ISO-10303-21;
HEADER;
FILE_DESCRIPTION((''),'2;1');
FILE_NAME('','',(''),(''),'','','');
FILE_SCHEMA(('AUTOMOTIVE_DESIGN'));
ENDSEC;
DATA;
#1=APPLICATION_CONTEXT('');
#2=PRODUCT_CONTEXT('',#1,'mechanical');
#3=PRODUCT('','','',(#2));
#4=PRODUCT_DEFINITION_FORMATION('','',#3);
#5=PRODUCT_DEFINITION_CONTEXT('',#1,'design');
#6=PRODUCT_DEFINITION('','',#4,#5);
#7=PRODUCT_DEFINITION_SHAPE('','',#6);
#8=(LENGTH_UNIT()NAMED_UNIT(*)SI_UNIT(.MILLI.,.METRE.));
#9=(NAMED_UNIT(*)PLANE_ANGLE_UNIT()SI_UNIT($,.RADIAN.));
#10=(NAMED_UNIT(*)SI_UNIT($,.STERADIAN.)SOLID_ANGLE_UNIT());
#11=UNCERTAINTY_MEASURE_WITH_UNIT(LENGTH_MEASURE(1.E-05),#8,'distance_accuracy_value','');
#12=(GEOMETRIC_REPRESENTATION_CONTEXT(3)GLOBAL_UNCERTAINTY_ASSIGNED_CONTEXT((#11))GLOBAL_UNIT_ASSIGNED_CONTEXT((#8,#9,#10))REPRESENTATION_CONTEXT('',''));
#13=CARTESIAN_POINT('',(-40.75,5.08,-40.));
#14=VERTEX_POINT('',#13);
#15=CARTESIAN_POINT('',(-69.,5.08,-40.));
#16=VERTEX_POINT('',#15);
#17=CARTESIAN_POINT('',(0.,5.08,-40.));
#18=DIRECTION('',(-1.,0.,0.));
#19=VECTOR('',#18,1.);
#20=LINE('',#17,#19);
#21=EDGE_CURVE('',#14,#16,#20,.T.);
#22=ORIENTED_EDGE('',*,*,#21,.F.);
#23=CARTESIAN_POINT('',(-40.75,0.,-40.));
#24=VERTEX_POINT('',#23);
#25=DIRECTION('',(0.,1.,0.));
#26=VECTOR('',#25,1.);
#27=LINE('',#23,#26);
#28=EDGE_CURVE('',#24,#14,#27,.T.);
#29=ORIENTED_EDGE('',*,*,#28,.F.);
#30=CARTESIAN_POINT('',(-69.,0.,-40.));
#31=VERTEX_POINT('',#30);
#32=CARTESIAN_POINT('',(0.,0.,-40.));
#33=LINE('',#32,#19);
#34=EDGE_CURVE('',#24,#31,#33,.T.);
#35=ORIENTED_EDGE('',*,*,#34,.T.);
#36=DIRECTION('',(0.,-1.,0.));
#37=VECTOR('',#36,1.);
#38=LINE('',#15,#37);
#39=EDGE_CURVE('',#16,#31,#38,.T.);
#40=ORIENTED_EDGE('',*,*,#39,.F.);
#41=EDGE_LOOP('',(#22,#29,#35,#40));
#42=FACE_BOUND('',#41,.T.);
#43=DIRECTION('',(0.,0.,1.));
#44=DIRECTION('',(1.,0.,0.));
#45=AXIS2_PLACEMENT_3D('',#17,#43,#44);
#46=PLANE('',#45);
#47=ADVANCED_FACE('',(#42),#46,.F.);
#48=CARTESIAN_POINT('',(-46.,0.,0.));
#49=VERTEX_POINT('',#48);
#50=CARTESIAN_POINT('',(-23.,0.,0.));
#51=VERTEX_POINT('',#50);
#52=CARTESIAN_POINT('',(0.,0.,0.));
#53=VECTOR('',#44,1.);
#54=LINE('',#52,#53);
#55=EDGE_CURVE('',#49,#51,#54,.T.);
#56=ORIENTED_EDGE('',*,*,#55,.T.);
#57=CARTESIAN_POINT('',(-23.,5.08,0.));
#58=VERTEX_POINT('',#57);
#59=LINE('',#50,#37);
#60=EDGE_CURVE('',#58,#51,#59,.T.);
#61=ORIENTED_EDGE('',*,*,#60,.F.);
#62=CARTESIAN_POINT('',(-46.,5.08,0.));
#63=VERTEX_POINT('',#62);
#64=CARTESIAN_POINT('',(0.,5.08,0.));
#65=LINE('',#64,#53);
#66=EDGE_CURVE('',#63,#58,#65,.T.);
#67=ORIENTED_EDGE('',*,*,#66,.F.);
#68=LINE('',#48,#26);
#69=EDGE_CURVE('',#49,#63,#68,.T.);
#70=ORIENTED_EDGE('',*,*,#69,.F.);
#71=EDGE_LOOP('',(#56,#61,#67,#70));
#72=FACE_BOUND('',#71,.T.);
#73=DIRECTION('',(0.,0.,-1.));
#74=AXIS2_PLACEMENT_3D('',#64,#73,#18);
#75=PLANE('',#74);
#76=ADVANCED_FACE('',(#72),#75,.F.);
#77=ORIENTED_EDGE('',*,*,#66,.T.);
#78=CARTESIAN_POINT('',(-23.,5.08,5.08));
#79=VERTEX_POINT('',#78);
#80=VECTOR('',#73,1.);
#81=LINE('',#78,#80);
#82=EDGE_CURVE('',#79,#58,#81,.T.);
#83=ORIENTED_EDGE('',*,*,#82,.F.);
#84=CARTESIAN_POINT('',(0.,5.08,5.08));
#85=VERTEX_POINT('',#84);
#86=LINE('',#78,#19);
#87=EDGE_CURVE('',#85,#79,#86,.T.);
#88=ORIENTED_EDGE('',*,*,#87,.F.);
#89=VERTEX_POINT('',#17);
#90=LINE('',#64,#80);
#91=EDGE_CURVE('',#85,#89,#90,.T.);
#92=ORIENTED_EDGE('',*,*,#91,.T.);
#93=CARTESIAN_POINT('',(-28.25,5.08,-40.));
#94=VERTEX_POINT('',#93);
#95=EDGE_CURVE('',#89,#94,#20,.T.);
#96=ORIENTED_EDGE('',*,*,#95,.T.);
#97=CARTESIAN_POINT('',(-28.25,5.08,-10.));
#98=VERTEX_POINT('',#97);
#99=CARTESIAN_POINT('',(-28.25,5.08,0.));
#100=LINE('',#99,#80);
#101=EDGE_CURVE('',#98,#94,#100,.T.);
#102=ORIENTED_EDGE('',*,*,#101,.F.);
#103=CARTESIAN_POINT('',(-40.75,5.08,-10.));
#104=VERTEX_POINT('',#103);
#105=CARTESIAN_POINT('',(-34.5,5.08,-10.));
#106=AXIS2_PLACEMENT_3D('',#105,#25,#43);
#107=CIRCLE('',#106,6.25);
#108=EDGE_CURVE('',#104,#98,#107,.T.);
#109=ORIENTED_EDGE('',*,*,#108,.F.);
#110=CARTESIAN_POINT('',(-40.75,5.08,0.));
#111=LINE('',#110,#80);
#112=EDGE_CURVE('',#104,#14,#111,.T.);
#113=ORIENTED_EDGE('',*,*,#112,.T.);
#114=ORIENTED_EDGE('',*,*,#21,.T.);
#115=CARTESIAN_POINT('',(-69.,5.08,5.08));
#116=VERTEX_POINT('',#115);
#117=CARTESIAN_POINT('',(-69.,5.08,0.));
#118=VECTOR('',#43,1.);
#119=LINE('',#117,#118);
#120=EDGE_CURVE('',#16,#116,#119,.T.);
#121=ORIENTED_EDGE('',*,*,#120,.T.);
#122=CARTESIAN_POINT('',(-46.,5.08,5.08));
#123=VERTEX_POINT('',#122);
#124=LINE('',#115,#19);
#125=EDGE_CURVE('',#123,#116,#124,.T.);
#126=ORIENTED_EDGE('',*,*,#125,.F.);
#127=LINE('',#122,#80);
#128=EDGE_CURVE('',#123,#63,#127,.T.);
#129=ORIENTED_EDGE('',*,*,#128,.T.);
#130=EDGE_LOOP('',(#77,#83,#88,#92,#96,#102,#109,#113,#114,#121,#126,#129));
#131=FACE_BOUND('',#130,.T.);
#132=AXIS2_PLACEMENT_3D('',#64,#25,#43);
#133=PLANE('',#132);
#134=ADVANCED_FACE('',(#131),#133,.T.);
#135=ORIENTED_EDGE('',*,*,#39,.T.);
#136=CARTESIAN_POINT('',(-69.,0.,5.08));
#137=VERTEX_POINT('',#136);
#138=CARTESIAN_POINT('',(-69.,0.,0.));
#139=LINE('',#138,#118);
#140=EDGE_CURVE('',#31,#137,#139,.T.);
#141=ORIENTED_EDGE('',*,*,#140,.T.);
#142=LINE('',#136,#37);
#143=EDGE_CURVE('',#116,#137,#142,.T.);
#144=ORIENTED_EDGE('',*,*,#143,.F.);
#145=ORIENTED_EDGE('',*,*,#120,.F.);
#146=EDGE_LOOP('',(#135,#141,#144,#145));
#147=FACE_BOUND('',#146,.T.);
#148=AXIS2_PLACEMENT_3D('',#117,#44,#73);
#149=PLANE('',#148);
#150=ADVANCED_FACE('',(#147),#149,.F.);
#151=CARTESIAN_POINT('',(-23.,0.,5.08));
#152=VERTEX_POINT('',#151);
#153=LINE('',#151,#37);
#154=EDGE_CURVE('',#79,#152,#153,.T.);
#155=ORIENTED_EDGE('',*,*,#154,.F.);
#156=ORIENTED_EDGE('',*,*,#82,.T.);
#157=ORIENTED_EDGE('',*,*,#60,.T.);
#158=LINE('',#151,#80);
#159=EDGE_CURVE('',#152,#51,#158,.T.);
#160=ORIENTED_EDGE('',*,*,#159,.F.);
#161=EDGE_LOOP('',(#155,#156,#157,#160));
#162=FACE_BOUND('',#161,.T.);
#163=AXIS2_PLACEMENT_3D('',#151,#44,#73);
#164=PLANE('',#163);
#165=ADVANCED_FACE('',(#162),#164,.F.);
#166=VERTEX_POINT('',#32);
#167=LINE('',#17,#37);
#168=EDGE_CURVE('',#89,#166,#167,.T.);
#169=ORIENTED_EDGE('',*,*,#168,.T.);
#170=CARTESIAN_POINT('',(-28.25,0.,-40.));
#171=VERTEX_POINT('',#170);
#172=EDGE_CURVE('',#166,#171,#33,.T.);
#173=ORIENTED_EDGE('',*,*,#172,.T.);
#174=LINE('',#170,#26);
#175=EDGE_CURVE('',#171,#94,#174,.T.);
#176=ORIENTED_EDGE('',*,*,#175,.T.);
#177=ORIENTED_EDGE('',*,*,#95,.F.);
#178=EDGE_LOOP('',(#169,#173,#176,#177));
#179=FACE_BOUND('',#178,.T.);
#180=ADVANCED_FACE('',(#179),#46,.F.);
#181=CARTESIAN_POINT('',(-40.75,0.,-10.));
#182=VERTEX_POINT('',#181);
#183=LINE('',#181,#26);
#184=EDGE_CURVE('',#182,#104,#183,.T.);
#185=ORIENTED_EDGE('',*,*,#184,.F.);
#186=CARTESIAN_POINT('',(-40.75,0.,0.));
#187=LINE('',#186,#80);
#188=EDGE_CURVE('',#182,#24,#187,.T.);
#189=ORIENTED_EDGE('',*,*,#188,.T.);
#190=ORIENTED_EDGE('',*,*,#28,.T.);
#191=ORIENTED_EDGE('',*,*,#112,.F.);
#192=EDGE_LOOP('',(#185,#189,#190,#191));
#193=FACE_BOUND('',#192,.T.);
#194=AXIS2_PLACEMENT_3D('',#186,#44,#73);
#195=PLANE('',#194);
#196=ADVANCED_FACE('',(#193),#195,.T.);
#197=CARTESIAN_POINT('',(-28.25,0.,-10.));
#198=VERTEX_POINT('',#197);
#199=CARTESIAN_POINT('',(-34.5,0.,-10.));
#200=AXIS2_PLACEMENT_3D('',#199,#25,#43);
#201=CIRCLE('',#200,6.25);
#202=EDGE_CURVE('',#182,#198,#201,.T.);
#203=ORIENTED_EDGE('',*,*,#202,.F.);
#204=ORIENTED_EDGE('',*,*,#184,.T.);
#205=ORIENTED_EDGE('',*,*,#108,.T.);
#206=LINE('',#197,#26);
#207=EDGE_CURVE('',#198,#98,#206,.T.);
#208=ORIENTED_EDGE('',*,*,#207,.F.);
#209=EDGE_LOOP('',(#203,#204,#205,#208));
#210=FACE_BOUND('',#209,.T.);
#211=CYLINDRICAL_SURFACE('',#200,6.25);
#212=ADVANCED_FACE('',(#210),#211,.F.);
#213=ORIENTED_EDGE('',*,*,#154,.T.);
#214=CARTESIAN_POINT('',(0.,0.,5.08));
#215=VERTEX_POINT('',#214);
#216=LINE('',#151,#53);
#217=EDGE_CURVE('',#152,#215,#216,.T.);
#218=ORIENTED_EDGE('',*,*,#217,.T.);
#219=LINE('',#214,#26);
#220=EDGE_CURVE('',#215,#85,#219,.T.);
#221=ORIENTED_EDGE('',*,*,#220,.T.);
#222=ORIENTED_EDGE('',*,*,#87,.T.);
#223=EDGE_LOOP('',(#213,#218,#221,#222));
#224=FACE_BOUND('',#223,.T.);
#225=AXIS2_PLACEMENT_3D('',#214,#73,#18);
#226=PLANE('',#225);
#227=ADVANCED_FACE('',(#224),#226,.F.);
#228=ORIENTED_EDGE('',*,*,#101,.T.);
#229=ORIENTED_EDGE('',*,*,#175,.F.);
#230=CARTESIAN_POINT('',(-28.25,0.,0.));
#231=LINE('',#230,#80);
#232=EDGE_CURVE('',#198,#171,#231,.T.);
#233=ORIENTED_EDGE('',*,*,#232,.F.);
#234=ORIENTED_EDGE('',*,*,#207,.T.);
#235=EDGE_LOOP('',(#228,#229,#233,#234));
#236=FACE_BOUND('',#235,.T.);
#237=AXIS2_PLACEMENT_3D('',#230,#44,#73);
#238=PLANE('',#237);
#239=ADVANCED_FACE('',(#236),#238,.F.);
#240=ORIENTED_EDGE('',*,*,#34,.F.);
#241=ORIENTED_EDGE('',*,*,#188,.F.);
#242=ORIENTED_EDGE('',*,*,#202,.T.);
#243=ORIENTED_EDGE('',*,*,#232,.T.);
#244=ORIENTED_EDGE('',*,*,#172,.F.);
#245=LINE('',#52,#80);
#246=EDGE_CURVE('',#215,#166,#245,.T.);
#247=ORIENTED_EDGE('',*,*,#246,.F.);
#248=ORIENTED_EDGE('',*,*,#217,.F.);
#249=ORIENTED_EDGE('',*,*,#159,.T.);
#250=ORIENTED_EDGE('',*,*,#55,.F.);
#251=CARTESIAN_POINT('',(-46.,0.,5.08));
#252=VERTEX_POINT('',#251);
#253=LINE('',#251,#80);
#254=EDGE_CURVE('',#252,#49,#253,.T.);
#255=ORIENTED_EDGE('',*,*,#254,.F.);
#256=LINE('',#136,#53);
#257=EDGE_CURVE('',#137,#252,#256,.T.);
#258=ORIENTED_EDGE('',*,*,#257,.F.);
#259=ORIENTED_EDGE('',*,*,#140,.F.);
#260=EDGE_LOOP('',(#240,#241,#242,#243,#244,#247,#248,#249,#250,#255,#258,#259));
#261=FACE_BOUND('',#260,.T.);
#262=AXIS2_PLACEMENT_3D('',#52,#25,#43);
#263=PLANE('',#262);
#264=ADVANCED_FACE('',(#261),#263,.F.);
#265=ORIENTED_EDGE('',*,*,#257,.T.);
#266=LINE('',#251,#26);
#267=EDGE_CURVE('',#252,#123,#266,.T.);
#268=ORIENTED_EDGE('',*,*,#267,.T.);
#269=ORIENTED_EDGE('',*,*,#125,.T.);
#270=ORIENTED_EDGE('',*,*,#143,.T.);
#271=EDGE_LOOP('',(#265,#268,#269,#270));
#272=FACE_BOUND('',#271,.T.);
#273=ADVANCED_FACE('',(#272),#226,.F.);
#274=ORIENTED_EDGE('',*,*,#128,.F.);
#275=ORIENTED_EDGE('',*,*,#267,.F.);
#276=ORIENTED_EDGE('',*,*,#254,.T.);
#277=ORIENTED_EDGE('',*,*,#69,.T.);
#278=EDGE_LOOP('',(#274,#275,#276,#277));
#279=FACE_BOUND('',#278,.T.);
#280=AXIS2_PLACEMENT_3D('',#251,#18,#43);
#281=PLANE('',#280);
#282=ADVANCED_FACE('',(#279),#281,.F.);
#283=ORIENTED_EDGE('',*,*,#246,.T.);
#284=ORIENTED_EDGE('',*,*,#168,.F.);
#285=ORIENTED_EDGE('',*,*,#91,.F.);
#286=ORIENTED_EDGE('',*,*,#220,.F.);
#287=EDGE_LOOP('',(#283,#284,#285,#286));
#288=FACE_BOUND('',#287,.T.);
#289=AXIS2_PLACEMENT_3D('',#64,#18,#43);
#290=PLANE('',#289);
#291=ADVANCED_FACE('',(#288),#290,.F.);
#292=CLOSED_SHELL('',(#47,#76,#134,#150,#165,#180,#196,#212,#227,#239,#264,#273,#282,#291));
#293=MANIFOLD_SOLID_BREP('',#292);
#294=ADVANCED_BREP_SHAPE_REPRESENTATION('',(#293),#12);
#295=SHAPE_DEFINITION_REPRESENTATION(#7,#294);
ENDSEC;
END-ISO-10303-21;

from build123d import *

# Parameters (mm, degrees)
SKETCH1_W           = 69
SKETCH1_H           = 40
BOSS_EXTRUDE1_DEPTH = 5.08
SKETCH2_W           = 23
SKETCH2_H           = 5.08
BOSS_EXTRUDE2_DEPTH = 5.08
CUT_EXTRUDE4_DEPTH  = 5.08


with BuildPart() as part:
    # Sketch1 → Boss-Extrude1 (new body)
    with BuildSketch(Plane(origin=(0, 0, 0), x_dir=(1, 0, 0), z_dir=(0, 1, 0))):
        with Locations((-34.5, 20)):
            Rectangle(SKETCH1_W, SKETCH1_H)
    extrude(amount=BOSS_EXTRUDE1_DEPTH)

    # Sketch2 → Boss-Extrude2 (add)
    with BuildSketch(Plane.XY):
        with Locations((-57.5, 2.54)):
            Rectangle(SKETCH2_W, SKETCH2_H)
        with Locations((-11.5, 2.54)):
            Rectangle(SKETCH2_W, SKETCH2_H)
    extrude(amount=BOSS_EXTRUDE2_DEPTH)

    # Sketch7 → Cut-Extrude4 (cut)
    with BuildSketch(Plane(origin=(0, 5.08, 0), x_dir=(1, 0, 0), z_dir=(0, 1, 0))):
        with BuildLine():
            ThreePointArc((-28.25, 10), (-34.5, 16.25), (-40.75, 10))
            Line((-40.75, 10), (-28.25, 10))
        make_face()
        with BuildLine():
            Line((-28.25, 10), (-40.75, 10))
            ThreePointArc((-40.75, 10), (-34.5, 3.75), (-28.25, 10))
        make_face()
        with BuildLine():
            Line((-40.75, 40), (-40.75, 10))
            ThreePointArc((-40.75, 10), (-34.5, 16.25), (-28.25, 10))
            Line((-28.25, 10), (-28.25, 40))
            Line((-28.25, 40), (-40.75, 40))
        make_face()
    extrude(amount=-CUT_EXTRUDE4_DEPTH, mode=Mode.SUBTRACT)


solid = part.part
